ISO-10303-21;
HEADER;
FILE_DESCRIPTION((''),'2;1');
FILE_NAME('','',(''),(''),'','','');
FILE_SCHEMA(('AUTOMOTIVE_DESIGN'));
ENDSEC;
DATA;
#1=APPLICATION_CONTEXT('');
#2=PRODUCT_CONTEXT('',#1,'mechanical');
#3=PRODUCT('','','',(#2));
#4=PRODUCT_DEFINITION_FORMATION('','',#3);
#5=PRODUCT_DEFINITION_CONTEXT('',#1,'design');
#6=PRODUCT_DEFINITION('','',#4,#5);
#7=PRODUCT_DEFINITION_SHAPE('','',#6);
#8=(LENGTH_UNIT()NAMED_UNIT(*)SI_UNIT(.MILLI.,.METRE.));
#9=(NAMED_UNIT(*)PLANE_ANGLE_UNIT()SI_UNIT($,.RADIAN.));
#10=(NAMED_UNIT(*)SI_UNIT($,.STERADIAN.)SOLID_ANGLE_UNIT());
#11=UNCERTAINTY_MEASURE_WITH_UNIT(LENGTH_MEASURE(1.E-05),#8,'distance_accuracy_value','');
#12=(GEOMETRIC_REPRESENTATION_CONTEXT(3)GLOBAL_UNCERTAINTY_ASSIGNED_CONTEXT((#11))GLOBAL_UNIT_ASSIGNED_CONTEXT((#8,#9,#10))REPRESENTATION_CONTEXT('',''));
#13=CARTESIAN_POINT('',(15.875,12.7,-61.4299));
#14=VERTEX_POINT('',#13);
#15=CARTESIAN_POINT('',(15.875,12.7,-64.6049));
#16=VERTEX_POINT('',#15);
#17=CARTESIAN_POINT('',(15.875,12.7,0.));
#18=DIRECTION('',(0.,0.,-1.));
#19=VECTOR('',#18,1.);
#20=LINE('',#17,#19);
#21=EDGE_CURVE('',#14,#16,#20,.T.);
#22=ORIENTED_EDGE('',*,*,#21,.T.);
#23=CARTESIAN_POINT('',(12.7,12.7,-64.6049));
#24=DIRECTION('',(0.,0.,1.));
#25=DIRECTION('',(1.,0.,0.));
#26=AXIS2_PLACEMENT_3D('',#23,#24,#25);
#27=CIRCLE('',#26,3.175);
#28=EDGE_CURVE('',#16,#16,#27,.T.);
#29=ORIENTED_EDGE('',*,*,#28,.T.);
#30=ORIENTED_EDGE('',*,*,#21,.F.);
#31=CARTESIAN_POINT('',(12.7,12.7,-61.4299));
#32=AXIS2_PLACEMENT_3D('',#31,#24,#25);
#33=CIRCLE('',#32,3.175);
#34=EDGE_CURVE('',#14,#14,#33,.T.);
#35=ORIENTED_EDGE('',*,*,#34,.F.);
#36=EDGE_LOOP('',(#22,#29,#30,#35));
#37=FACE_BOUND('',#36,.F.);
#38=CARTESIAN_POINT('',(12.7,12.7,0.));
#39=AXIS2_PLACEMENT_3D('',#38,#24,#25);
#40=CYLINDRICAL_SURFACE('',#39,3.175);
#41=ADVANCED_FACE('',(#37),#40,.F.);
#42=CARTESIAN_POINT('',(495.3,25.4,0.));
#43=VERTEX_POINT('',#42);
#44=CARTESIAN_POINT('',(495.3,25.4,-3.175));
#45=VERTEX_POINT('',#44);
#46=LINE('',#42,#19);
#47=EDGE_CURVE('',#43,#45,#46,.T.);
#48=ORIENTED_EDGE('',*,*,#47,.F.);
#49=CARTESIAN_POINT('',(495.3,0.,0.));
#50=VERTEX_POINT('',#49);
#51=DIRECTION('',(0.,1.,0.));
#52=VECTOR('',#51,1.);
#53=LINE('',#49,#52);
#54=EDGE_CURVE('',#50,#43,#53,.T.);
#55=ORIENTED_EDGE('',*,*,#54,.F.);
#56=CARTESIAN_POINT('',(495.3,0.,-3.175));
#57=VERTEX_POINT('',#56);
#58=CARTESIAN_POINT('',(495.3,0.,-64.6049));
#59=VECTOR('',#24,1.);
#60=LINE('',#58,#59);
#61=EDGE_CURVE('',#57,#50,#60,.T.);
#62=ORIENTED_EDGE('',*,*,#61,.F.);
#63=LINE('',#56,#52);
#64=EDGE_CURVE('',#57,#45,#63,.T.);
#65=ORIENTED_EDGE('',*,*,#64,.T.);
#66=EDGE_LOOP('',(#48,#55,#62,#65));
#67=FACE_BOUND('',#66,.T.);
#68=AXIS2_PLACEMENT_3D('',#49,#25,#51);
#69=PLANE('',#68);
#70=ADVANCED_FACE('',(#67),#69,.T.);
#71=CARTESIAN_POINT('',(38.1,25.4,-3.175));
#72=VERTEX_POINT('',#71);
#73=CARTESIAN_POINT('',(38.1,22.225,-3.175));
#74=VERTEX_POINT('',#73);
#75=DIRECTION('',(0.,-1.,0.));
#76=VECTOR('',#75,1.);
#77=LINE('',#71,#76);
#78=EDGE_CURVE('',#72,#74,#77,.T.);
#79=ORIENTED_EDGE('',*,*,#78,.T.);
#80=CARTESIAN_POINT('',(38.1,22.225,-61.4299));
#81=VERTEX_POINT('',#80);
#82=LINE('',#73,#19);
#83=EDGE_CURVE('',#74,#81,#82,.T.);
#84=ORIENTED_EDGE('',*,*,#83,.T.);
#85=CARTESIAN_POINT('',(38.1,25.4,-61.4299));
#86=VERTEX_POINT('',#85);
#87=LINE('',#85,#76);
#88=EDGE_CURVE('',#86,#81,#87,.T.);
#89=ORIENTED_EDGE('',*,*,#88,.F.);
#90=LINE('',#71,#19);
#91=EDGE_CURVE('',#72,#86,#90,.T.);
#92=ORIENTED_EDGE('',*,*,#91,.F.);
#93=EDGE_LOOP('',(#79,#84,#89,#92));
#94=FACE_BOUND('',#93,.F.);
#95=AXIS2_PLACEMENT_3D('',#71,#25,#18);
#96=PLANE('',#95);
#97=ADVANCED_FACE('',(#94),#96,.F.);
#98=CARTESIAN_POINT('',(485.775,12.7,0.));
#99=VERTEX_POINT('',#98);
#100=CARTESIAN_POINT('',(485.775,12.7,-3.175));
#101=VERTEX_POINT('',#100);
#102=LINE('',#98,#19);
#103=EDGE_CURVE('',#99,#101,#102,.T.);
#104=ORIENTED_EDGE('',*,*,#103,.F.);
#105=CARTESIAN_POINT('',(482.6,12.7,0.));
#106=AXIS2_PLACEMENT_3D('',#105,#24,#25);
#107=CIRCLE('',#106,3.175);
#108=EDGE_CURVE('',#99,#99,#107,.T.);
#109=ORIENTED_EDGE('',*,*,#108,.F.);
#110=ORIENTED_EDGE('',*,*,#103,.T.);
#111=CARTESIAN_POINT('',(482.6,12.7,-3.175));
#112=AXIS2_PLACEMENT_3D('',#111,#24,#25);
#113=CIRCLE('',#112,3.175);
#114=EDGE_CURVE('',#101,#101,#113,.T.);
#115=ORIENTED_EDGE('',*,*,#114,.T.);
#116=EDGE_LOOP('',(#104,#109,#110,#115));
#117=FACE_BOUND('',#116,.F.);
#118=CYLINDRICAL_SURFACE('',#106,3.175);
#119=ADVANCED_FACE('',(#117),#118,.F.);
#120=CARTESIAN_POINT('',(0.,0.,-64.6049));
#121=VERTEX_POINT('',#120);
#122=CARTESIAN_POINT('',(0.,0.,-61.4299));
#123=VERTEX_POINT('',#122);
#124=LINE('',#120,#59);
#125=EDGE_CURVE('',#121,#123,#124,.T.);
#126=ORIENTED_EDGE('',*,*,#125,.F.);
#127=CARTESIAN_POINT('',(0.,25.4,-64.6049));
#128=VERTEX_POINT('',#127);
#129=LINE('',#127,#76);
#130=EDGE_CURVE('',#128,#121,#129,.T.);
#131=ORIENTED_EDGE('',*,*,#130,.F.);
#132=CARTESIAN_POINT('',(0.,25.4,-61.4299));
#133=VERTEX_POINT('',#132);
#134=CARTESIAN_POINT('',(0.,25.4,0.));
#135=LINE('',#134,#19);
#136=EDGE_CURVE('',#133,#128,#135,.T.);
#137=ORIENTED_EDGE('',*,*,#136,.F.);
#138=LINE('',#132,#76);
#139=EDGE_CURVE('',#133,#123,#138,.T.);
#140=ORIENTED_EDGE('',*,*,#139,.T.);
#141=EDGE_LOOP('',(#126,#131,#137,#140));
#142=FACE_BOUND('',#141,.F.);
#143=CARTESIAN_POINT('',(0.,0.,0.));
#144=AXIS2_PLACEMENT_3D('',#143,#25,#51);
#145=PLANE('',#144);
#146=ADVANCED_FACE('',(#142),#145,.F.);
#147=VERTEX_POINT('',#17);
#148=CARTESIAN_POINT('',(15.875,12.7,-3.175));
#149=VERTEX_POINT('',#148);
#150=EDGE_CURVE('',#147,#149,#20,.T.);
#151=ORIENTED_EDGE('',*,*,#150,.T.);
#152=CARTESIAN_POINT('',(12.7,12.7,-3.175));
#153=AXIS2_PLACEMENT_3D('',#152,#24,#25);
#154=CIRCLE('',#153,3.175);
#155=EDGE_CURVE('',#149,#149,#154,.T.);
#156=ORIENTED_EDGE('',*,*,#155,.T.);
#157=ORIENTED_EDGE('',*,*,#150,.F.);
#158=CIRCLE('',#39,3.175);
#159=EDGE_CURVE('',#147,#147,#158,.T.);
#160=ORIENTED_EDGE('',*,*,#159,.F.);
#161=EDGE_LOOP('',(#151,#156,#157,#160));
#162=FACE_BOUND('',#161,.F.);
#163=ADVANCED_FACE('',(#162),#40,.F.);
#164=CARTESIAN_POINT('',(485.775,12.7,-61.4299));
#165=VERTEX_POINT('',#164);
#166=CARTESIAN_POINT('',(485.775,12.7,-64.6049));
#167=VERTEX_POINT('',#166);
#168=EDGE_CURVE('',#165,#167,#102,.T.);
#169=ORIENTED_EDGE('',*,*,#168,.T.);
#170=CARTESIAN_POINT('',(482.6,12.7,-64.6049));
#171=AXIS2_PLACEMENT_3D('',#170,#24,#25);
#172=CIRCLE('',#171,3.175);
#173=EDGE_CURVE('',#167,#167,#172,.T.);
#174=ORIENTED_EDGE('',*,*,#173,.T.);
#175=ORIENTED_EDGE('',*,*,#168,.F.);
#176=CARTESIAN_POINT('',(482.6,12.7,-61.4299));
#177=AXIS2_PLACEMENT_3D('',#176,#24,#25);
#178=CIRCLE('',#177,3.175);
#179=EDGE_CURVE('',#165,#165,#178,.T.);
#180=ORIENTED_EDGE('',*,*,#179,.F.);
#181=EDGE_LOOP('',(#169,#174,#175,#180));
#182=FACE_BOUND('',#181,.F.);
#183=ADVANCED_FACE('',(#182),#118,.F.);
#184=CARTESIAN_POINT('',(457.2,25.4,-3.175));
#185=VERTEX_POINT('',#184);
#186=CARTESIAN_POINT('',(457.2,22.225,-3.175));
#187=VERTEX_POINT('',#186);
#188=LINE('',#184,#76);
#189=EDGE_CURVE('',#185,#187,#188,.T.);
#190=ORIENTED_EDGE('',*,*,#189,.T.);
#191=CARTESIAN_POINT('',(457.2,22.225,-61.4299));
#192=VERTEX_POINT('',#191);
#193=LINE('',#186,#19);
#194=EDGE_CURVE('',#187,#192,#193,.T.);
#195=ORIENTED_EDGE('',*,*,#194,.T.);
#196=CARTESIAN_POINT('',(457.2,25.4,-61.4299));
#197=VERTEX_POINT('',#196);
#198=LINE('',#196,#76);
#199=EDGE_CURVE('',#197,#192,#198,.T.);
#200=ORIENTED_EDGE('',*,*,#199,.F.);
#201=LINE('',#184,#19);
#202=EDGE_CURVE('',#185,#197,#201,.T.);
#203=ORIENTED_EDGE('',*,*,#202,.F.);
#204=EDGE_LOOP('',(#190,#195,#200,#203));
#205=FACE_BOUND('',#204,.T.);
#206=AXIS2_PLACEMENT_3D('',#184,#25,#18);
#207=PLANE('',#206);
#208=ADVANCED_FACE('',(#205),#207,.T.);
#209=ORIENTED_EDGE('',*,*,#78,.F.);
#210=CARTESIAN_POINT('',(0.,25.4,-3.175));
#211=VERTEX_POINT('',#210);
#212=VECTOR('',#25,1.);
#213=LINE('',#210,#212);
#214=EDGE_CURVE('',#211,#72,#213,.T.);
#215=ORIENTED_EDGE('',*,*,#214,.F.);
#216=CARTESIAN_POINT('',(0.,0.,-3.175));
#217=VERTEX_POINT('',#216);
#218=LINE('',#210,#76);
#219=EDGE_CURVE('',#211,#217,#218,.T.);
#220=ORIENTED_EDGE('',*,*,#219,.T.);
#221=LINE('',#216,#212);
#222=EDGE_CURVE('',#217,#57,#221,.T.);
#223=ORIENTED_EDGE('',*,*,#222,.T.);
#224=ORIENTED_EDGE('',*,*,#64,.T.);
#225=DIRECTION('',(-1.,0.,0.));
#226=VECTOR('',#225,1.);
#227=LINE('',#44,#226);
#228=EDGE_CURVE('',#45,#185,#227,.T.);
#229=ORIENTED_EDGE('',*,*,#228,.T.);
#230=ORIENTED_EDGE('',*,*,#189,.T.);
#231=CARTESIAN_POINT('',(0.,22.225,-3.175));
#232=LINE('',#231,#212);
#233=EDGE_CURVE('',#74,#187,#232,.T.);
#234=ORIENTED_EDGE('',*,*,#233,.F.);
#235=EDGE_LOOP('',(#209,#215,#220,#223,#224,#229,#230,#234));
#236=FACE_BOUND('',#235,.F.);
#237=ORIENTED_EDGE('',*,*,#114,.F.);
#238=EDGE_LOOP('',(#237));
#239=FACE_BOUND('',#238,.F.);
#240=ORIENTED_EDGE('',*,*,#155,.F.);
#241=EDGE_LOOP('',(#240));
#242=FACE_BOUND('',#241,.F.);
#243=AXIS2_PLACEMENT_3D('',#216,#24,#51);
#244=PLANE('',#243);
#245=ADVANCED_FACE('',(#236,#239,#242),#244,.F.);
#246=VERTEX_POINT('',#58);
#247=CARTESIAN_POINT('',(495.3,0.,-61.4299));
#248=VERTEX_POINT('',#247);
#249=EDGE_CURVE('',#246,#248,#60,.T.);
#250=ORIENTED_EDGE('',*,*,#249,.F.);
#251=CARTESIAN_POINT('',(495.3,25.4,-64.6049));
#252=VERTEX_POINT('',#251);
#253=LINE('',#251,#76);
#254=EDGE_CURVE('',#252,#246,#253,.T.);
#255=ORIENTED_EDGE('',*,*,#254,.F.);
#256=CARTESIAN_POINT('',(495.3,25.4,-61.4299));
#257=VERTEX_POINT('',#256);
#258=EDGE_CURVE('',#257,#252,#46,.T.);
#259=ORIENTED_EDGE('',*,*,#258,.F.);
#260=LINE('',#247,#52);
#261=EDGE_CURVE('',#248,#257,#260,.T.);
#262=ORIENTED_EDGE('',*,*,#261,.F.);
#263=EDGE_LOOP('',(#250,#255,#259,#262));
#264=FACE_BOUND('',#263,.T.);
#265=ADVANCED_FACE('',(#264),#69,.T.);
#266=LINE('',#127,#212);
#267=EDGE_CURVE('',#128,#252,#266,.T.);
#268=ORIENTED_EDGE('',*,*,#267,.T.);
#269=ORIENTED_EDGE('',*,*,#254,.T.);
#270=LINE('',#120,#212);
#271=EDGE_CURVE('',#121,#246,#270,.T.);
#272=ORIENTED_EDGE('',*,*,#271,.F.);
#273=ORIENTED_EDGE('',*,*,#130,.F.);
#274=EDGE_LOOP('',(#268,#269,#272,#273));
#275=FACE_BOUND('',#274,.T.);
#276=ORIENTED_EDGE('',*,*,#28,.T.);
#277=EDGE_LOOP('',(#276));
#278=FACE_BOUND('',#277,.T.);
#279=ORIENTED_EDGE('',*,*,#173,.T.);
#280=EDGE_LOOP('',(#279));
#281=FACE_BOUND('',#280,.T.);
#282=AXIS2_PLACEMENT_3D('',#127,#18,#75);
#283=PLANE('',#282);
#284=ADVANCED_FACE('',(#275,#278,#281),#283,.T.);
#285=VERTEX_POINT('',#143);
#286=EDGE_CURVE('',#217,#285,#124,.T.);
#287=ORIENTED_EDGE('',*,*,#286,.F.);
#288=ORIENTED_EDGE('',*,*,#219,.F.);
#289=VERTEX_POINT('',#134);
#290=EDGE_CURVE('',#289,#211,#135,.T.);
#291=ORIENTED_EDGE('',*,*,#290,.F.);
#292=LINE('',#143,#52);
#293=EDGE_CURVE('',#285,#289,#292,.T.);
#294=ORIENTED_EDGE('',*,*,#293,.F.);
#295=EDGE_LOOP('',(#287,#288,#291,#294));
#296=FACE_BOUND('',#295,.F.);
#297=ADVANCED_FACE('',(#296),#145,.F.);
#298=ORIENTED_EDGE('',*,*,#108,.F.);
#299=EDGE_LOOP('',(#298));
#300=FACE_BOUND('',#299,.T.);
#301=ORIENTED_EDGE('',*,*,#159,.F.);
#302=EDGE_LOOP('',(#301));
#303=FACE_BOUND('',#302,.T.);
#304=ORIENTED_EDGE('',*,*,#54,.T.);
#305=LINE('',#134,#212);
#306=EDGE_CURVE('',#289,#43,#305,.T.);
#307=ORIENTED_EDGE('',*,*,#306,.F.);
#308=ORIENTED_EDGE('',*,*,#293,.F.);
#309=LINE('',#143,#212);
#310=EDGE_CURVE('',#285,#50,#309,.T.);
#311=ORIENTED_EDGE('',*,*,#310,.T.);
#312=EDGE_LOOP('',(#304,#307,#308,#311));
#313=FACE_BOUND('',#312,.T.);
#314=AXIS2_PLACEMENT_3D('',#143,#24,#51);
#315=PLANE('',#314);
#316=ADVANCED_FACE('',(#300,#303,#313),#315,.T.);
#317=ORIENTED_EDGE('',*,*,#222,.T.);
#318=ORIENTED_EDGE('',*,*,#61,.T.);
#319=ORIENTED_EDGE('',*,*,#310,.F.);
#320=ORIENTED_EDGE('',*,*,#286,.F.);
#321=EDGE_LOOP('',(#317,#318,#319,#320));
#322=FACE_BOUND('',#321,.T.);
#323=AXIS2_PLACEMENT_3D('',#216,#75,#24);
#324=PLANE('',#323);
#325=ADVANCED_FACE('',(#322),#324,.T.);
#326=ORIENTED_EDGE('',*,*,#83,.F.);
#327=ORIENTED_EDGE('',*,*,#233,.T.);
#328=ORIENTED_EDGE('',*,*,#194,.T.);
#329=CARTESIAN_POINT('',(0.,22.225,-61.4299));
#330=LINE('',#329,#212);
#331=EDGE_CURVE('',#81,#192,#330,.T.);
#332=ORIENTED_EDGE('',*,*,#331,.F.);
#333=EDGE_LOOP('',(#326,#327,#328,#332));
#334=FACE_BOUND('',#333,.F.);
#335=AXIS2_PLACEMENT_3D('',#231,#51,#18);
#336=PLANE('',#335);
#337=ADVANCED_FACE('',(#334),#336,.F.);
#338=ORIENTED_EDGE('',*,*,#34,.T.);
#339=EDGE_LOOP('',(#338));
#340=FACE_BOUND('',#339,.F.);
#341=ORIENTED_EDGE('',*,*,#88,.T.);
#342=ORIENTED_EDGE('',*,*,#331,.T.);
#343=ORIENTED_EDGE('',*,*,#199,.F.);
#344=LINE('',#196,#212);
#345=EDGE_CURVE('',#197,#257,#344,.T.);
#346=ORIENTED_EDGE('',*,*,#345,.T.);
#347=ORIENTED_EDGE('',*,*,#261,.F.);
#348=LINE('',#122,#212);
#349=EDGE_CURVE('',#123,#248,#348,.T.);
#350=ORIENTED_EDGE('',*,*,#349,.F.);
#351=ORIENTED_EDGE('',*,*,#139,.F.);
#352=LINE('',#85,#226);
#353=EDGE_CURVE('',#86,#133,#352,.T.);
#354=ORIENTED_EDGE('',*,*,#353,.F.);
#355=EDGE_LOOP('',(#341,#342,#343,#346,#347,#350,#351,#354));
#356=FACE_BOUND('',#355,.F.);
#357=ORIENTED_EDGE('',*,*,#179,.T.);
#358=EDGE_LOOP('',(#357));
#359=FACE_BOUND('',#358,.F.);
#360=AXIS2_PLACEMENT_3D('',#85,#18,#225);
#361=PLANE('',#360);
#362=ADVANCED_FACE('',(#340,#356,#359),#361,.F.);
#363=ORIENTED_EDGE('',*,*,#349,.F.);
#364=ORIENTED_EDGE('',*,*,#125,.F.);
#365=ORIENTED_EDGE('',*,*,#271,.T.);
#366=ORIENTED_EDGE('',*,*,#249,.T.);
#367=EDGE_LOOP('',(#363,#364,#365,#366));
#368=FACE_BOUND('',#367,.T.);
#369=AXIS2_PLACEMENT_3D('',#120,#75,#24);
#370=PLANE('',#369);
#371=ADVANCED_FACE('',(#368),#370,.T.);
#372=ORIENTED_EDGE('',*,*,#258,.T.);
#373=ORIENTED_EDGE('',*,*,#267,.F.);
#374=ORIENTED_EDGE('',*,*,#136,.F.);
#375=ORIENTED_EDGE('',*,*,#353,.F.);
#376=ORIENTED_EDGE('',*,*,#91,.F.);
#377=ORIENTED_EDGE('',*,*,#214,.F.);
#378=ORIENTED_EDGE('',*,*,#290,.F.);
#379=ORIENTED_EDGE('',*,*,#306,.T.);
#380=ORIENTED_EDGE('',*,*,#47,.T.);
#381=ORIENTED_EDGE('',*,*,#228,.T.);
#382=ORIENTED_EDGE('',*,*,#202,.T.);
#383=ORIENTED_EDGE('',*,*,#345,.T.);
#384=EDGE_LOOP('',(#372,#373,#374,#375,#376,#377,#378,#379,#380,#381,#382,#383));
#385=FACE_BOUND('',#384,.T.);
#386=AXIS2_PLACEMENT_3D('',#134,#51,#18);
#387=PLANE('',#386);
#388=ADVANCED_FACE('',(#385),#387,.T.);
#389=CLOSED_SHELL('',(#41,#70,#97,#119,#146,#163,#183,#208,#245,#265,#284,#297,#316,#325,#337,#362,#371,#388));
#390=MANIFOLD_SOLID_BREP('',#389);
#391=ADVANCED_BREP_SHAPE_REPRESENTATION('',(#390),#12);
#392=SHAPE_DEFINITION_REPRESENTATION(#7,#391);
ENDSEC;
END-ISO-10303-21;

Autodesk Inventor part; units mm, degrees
ref_plane "YZ Plane" through (0, 0, 0) normal (1, 0, 0) x (0, 1, 0)
ref_plane "XZ Plane" through (0, 0, 0) normal (0, 1, 0) x (-1, 0, 0)
ref_plane "XY Plane" through (0, 0, 0) normal (0, 0, 1) x (1, 0, 0)
sketch "Sketch1" plane through (0, 0, 0) normal (1, 0, 0) x (0, 1, 0)
  line L0 (0, 0) -> (25.4, 0)
  line L1 (25.4, 0) -> (25.4, -64.6049)
  line L2 (25.4, -64.6049) -> (0, -64.6049)
  line L3 (0, -64.6049) -> (0, 0)
  line L4 (0, -3.175) -> (22.225, -3.175)
  line L5 (22.225, -3.175) -> (22.225, -61.4299)
  line L6 (22.225, -61.4299) -> (0, -61.4299)
  line L7 (0, -61.4299) -> (0, -3.175)
  dimension "d0" = 25.4
  dimension "d2" = 58.2549
  dimension "d3" = 22.225
  dimension "d4" = 3.175
  dimension "d32" = 3.175
extrude "Extrusion1" add sketch "Sketch1" along normal blind 495.3 contours L0 L1 L2 L3 L6 L5 L4
sketch "Sketch3" plane through (0, 25.4, 0) normal (0, 1, 0) x (1, 0, 0)
  line L0 (0, 64.6049) -> (0, 0) projected
  line L1 (0, 0) -> (495.3, 0) projected
  line L2 (495.3, 64.6049) -> (495.3, 0) projected
  line L3 (0, 64.6049) -> (495.3, 64.6049) projected
  line L4 (495.3, 3.175) -> (457.2, 3.175)
  line L5 (457.2, 3.175) -> (457.2, 61.4299)
  line L6 (457.2, 61.4299) -> (495.3, 61.4299)
  line L7 (495.3, 61.4299) -> (495.3, 3.175)
  line L8 (0, 64.6049) -> (0, 0) projected
  line L9 (0, 3.175) -> (38.1, 3.175)
  line L10 (38.1, 3.175) -> (38.1, 61.4299)
  line L11 (38.1, 61.4299) -> (0, 61.4299)
  line L12 (0, 61.4299) -> (0, 3.175)
  point P0 (495.3, 61.4299)
  dimension "d14" = 64.6049
  dimension "d16" = 38.1
  dimension "d27" = 38.1
  dimension "d28" = 58.2549
  dimension "d29" = 3.175
  dimension "d30" = 58.2549
  dimension "d31" = 3.175
extrude "Extrusion2" cut sketch "Sketch3" against normal blind 3.175 contours L11 L10 L9 L0 | L2 L4 L5 L6
sketch "Sketch4" plane through (0, 0, 0) normal (0, 0, 1) x (1, 0, 0)
  line L0 (0, 25.4) -> (0, 0) projected
  line L1 (0, 0) -> (495.3, 0) projected
  line L2 (495.3, 25.4) -> (495.3, 0) projected
  line L3 (0, 25.4) -> (495.3, 25.4) projected
  circle A0 centre (12.7, 12.7) radius 3.175
  circle A1 centre (482.6, 12.7) radius 3.175
  dimension "d19" = 6.35
  dimension "d20" = 12.7
  dimension "d21" = 25.4
  dimension "d22" = 12.7
  dimension "d23" = 6.35
  dimension "d24" = 12.7
extrude "Extrusion3" cut sketch "Sketch4" against normal blind 127 contours A0 | A1
equation "\"d32\" = d4"
equation "\"d30\" = d28"
equation "\"d31\" = d29"
equation "\"d22\" = 0.5 * d21"
equation "\"d23\" = d19"
equation "\"d24\" = d20"
properties part number "ArmProto2.2Assembly"
